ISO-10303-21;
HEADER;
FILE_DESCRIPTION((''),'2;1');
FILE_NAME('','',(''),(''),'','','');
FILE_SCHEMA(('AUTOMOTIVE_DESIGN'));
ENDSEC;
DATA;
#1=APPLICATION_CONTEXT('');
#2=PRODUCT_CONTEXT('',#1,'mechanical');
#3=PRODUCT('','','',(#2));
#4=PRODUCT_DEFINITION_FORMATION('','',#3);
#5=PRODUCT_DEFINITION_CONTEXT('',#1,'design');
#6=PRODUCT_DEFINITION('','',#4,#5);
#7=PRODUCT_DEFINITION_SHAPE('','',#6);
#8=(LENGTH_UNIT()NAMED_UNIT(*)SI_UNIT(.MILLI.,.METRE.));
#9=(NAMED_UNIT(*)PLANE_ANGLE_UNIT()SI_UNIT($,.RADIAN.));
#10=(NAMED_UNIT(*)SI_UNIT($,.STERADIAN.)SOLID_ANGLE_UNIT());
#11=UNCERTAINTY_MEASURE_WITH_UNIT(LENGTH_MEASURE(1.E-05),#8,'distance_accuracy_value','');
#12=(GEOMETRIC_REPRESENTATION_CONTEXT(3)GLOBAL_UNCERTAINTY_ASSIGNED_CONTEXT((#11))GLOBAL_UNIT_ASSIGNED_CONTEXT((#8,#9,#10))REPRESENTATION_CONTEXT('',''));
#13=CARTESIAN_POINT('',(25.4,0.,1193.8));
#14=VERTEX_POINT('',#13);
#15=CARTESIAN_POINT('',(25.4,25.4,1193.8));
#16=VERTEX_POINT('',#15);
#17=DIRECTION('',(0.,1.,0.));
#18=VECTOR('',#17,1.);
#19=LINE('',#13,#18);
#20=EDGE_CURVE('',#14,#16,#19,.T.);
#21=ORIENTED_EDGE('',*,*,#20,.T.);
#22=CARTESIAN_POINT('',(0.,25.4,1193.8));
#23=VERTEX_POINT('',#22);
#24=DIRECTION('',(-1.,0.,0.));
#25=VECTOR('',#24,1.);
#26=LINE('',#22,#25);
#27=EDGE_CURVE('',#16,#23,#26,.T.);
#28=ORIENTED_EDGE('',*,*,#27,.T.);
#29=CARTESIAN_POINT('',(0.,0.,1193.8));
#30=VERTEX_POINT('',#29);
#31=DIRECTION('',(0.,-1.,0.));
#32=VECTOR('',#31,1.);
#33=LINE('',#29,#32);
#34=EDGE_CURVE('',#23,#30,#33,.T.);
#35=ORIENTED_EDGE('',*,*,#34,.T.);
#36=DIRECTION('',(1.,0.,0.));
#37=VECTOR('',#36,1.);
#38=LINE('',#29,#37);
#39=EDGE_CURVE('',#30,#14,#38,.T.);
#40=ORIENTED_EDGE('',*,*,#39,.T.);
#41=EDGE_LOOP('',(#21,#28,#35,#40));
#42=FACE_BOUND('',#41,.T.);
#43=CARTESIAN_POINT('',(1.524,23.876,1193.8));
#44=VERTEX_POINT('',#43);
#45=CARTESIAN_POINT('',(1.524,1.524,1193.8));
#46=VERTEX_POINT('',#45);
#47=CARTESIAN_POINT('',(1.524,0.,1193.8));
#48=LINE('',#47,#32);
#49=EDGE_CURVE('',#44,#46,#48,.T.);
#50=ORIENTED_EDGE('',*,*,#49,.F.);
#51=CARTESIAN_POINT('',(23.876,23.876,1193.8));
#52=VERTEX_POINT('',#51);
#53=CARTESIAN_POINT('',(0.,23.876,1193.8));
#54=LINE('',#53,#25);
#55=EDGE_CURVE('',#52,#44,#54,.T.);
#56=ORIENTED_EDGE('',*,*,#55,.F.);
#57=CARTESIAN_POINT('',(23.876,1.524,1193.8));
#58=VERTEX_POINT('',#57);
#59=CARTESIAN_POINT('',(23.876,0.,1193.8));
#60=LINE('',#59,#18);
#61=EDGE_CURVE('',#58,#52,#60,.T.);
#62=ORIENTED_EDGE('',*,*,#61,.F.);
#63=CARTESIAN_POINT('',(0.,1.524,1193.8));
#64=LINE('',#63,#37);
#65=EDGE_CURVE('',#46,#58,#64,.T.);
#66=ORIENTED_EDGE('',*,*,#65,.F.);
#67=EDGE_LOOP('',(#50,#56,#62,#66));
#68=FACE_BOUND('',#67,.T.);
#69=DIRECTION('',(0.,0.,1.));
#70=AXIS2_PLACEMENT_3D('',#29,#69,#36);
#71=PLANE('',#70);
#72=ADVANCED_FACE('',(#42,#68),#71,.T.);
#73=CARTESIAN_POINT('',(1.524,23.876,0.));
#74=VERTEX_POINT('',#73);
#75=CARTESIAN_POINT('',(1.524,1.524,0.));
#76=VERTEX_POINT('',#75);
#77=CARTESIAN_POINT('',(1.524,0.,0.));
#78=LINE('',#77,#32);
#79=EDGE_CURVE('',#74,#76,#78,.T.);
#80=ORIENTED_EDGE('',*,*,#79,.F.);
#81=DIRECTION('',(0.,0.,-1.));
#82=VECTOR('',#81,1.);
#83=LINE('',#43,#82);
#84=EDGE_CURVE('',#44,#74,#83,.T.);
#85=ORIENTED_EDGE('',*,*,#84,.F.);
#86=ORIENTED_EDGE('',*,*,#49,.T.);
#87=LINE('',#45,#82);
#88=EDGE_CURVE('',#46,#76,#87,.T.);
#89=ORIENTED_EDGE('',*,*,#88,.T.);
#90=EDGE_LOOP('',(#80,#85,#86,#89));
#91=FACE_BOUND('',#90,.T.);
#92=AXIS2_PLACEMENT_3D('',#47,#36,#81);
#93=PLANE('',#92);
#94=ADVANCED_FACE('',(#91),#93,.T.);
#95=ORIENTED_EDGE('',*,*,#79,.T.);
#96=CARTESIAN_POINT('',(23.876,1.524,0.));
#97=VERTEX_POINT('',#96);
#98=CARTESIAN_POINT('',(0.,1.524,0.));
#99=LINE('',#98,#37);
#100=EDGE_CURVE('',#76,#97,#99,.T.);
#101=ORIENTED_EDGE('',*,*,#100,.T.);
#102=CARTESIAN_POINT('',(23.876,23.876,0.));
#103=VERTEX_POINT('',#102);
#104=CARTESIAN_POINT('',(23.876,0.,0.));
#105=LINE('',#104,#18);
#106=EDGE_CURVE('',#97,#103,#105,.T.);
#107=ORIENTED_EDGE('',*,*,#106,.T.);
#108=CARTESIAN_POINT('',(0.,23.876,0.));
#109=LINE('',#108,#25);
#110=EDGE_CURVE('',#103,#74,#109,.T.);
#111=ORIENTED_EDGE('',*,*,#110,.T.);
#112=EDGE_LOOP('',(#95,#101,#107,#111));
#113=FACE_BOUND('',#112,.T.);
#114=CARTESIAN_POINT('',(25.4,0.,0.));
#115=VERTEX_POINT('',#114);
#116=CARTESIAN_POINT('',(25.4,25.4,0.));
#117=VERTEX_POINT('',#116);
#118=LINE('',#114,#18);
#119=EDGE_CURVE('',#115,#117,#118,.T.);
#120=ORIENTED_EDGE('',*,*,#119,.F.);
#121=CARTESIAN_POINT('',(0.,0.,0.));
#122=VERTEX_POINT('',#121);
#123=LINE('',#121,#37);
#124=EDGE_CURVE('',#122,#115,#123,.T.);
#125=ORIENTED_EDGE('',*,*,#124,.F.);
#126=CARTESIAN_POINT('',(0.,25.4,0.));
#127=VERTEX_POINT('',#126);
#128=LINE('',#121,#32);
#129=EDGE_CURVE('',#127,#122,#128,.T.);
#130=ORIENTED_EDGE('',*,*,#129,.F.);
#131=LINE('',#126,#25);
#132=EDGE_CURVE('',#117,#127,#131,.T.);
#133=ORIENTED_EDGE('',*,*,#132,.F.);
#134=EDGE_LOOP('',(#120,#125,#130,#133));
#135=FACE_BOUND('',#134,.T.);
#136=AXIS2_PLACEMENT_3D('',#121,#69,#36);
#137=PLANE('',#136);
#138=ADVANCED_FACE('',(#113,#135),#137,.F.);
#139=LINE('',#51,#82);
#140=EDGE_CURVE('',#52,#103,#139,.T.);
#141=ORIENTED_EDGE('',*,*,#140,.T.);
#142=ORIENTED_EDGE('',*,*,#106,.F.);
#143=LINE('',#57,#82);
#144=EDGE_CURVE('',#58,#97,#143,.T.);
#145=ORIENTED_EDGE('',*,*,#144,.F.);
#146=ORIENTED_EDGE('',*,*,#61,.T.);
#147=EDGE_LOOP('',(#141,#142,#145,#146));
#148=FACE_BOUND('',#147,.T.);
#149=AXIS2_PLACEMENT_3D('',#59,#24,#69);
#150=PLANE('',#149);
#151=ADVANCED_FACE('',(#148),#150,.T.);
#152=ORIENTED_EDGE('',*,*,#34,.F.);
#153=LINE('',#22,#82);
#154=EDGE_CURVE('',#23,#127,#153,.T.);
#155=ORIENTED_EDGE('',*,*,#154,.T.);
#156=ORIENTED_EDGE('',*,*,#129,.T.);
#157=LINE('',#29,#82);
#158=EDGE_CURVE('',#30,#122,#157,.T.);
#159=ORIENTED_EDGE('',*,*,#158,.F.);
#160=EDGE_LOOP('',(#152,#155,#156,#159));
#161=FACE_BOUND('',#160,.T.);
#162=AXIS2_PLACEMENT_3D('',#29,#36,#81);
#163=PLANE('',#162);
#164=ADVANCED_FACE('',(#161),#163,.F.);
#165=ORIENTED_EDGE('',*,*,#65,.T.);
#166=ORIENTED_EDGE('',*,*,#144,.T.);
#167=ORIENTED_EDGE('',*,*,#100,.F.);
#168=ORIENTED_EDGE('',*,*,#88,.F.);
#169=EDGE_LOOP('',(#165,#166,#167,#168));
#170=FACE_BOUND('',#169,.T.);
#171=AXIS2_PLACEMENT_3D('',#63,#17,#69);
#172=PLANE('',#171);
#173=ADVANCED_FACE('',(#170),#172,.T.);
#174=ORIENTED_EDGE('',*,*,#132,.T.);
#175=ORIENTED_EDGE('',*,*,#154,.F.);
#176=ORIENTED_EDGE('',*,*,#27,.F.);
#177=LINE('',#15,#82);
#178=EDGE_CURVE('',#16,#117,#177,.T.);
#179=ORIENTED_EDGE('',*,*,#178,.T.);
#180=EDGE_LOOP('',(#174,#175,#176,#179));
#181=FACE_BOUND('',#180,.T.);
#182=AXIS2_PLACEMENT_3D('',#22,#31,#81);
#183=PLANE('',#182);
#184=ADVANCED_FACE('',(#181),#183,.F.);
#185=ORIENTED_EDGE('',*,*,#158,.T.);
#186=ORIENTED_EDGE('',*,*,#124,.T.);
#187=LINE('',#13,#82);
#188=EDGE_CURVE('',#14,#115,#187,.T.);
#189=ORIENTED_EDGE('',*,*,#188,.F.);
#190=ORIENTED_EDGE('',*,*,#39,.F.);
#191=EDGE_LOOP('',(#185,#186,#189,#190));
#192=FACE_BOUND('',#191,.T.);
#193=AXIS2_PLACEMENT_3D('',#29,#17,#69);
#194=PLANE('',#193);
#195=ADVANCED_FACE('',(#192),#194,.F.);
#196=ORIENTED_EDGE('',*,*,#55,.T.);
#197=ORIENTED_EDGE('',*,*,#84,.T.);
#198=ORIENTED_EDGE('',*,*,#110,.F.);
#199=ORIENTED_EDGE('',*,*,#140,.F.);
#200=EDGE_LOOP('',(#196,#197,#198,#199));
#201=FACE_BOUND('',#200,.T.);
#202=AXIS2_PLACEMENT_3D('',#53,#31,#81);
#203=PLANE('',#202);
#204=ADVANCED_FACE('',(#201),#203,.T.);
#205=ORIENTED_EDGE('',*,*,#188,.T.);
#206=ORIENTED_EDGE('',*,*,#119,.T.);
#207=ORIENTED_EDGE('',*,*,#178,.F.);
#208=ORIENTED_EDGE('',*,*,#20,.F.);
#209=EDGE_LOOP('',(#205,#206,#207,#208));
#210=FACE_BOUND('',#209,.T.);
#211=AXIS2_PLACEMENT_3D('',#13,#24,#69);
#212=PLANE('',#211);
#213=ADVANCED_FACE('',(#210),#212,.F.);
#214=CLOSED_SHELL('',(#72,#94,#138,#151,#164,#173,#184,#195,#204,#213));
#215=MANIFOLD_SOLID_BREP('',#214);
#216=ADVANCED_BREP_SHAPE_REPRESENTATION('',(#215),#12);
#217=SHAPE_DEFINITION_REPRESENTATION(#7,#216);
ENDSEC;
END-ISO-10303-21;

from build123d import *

# Parameters (mm, degrees)
SKETCH1_W           = 25.4
SKETCH1_H           = 25.4
SKETCH1_W_2         = 22.352
SKETCH1_H_2         = 22.352
EXTRUDE_THIN1_DEPTH = 1193.8


with BuildPart() as part:
    # Sketch1 → Extrude-Thin1 (new body)
    with BuildSketch(Plane.XY):
        with Locations((12.7, 12.7)):
            Rectangle(SKETCH1_W, SKETCH1_H)
        with Locations((12.7, 12.7)):
            Rectangle(SKETCH1_W_2, SKETCH1_H_2, mode=Mode.SUBTRACT)
    extrude(amount=EXTRUDE_THIN1_DEPTH)


solid = part.part
